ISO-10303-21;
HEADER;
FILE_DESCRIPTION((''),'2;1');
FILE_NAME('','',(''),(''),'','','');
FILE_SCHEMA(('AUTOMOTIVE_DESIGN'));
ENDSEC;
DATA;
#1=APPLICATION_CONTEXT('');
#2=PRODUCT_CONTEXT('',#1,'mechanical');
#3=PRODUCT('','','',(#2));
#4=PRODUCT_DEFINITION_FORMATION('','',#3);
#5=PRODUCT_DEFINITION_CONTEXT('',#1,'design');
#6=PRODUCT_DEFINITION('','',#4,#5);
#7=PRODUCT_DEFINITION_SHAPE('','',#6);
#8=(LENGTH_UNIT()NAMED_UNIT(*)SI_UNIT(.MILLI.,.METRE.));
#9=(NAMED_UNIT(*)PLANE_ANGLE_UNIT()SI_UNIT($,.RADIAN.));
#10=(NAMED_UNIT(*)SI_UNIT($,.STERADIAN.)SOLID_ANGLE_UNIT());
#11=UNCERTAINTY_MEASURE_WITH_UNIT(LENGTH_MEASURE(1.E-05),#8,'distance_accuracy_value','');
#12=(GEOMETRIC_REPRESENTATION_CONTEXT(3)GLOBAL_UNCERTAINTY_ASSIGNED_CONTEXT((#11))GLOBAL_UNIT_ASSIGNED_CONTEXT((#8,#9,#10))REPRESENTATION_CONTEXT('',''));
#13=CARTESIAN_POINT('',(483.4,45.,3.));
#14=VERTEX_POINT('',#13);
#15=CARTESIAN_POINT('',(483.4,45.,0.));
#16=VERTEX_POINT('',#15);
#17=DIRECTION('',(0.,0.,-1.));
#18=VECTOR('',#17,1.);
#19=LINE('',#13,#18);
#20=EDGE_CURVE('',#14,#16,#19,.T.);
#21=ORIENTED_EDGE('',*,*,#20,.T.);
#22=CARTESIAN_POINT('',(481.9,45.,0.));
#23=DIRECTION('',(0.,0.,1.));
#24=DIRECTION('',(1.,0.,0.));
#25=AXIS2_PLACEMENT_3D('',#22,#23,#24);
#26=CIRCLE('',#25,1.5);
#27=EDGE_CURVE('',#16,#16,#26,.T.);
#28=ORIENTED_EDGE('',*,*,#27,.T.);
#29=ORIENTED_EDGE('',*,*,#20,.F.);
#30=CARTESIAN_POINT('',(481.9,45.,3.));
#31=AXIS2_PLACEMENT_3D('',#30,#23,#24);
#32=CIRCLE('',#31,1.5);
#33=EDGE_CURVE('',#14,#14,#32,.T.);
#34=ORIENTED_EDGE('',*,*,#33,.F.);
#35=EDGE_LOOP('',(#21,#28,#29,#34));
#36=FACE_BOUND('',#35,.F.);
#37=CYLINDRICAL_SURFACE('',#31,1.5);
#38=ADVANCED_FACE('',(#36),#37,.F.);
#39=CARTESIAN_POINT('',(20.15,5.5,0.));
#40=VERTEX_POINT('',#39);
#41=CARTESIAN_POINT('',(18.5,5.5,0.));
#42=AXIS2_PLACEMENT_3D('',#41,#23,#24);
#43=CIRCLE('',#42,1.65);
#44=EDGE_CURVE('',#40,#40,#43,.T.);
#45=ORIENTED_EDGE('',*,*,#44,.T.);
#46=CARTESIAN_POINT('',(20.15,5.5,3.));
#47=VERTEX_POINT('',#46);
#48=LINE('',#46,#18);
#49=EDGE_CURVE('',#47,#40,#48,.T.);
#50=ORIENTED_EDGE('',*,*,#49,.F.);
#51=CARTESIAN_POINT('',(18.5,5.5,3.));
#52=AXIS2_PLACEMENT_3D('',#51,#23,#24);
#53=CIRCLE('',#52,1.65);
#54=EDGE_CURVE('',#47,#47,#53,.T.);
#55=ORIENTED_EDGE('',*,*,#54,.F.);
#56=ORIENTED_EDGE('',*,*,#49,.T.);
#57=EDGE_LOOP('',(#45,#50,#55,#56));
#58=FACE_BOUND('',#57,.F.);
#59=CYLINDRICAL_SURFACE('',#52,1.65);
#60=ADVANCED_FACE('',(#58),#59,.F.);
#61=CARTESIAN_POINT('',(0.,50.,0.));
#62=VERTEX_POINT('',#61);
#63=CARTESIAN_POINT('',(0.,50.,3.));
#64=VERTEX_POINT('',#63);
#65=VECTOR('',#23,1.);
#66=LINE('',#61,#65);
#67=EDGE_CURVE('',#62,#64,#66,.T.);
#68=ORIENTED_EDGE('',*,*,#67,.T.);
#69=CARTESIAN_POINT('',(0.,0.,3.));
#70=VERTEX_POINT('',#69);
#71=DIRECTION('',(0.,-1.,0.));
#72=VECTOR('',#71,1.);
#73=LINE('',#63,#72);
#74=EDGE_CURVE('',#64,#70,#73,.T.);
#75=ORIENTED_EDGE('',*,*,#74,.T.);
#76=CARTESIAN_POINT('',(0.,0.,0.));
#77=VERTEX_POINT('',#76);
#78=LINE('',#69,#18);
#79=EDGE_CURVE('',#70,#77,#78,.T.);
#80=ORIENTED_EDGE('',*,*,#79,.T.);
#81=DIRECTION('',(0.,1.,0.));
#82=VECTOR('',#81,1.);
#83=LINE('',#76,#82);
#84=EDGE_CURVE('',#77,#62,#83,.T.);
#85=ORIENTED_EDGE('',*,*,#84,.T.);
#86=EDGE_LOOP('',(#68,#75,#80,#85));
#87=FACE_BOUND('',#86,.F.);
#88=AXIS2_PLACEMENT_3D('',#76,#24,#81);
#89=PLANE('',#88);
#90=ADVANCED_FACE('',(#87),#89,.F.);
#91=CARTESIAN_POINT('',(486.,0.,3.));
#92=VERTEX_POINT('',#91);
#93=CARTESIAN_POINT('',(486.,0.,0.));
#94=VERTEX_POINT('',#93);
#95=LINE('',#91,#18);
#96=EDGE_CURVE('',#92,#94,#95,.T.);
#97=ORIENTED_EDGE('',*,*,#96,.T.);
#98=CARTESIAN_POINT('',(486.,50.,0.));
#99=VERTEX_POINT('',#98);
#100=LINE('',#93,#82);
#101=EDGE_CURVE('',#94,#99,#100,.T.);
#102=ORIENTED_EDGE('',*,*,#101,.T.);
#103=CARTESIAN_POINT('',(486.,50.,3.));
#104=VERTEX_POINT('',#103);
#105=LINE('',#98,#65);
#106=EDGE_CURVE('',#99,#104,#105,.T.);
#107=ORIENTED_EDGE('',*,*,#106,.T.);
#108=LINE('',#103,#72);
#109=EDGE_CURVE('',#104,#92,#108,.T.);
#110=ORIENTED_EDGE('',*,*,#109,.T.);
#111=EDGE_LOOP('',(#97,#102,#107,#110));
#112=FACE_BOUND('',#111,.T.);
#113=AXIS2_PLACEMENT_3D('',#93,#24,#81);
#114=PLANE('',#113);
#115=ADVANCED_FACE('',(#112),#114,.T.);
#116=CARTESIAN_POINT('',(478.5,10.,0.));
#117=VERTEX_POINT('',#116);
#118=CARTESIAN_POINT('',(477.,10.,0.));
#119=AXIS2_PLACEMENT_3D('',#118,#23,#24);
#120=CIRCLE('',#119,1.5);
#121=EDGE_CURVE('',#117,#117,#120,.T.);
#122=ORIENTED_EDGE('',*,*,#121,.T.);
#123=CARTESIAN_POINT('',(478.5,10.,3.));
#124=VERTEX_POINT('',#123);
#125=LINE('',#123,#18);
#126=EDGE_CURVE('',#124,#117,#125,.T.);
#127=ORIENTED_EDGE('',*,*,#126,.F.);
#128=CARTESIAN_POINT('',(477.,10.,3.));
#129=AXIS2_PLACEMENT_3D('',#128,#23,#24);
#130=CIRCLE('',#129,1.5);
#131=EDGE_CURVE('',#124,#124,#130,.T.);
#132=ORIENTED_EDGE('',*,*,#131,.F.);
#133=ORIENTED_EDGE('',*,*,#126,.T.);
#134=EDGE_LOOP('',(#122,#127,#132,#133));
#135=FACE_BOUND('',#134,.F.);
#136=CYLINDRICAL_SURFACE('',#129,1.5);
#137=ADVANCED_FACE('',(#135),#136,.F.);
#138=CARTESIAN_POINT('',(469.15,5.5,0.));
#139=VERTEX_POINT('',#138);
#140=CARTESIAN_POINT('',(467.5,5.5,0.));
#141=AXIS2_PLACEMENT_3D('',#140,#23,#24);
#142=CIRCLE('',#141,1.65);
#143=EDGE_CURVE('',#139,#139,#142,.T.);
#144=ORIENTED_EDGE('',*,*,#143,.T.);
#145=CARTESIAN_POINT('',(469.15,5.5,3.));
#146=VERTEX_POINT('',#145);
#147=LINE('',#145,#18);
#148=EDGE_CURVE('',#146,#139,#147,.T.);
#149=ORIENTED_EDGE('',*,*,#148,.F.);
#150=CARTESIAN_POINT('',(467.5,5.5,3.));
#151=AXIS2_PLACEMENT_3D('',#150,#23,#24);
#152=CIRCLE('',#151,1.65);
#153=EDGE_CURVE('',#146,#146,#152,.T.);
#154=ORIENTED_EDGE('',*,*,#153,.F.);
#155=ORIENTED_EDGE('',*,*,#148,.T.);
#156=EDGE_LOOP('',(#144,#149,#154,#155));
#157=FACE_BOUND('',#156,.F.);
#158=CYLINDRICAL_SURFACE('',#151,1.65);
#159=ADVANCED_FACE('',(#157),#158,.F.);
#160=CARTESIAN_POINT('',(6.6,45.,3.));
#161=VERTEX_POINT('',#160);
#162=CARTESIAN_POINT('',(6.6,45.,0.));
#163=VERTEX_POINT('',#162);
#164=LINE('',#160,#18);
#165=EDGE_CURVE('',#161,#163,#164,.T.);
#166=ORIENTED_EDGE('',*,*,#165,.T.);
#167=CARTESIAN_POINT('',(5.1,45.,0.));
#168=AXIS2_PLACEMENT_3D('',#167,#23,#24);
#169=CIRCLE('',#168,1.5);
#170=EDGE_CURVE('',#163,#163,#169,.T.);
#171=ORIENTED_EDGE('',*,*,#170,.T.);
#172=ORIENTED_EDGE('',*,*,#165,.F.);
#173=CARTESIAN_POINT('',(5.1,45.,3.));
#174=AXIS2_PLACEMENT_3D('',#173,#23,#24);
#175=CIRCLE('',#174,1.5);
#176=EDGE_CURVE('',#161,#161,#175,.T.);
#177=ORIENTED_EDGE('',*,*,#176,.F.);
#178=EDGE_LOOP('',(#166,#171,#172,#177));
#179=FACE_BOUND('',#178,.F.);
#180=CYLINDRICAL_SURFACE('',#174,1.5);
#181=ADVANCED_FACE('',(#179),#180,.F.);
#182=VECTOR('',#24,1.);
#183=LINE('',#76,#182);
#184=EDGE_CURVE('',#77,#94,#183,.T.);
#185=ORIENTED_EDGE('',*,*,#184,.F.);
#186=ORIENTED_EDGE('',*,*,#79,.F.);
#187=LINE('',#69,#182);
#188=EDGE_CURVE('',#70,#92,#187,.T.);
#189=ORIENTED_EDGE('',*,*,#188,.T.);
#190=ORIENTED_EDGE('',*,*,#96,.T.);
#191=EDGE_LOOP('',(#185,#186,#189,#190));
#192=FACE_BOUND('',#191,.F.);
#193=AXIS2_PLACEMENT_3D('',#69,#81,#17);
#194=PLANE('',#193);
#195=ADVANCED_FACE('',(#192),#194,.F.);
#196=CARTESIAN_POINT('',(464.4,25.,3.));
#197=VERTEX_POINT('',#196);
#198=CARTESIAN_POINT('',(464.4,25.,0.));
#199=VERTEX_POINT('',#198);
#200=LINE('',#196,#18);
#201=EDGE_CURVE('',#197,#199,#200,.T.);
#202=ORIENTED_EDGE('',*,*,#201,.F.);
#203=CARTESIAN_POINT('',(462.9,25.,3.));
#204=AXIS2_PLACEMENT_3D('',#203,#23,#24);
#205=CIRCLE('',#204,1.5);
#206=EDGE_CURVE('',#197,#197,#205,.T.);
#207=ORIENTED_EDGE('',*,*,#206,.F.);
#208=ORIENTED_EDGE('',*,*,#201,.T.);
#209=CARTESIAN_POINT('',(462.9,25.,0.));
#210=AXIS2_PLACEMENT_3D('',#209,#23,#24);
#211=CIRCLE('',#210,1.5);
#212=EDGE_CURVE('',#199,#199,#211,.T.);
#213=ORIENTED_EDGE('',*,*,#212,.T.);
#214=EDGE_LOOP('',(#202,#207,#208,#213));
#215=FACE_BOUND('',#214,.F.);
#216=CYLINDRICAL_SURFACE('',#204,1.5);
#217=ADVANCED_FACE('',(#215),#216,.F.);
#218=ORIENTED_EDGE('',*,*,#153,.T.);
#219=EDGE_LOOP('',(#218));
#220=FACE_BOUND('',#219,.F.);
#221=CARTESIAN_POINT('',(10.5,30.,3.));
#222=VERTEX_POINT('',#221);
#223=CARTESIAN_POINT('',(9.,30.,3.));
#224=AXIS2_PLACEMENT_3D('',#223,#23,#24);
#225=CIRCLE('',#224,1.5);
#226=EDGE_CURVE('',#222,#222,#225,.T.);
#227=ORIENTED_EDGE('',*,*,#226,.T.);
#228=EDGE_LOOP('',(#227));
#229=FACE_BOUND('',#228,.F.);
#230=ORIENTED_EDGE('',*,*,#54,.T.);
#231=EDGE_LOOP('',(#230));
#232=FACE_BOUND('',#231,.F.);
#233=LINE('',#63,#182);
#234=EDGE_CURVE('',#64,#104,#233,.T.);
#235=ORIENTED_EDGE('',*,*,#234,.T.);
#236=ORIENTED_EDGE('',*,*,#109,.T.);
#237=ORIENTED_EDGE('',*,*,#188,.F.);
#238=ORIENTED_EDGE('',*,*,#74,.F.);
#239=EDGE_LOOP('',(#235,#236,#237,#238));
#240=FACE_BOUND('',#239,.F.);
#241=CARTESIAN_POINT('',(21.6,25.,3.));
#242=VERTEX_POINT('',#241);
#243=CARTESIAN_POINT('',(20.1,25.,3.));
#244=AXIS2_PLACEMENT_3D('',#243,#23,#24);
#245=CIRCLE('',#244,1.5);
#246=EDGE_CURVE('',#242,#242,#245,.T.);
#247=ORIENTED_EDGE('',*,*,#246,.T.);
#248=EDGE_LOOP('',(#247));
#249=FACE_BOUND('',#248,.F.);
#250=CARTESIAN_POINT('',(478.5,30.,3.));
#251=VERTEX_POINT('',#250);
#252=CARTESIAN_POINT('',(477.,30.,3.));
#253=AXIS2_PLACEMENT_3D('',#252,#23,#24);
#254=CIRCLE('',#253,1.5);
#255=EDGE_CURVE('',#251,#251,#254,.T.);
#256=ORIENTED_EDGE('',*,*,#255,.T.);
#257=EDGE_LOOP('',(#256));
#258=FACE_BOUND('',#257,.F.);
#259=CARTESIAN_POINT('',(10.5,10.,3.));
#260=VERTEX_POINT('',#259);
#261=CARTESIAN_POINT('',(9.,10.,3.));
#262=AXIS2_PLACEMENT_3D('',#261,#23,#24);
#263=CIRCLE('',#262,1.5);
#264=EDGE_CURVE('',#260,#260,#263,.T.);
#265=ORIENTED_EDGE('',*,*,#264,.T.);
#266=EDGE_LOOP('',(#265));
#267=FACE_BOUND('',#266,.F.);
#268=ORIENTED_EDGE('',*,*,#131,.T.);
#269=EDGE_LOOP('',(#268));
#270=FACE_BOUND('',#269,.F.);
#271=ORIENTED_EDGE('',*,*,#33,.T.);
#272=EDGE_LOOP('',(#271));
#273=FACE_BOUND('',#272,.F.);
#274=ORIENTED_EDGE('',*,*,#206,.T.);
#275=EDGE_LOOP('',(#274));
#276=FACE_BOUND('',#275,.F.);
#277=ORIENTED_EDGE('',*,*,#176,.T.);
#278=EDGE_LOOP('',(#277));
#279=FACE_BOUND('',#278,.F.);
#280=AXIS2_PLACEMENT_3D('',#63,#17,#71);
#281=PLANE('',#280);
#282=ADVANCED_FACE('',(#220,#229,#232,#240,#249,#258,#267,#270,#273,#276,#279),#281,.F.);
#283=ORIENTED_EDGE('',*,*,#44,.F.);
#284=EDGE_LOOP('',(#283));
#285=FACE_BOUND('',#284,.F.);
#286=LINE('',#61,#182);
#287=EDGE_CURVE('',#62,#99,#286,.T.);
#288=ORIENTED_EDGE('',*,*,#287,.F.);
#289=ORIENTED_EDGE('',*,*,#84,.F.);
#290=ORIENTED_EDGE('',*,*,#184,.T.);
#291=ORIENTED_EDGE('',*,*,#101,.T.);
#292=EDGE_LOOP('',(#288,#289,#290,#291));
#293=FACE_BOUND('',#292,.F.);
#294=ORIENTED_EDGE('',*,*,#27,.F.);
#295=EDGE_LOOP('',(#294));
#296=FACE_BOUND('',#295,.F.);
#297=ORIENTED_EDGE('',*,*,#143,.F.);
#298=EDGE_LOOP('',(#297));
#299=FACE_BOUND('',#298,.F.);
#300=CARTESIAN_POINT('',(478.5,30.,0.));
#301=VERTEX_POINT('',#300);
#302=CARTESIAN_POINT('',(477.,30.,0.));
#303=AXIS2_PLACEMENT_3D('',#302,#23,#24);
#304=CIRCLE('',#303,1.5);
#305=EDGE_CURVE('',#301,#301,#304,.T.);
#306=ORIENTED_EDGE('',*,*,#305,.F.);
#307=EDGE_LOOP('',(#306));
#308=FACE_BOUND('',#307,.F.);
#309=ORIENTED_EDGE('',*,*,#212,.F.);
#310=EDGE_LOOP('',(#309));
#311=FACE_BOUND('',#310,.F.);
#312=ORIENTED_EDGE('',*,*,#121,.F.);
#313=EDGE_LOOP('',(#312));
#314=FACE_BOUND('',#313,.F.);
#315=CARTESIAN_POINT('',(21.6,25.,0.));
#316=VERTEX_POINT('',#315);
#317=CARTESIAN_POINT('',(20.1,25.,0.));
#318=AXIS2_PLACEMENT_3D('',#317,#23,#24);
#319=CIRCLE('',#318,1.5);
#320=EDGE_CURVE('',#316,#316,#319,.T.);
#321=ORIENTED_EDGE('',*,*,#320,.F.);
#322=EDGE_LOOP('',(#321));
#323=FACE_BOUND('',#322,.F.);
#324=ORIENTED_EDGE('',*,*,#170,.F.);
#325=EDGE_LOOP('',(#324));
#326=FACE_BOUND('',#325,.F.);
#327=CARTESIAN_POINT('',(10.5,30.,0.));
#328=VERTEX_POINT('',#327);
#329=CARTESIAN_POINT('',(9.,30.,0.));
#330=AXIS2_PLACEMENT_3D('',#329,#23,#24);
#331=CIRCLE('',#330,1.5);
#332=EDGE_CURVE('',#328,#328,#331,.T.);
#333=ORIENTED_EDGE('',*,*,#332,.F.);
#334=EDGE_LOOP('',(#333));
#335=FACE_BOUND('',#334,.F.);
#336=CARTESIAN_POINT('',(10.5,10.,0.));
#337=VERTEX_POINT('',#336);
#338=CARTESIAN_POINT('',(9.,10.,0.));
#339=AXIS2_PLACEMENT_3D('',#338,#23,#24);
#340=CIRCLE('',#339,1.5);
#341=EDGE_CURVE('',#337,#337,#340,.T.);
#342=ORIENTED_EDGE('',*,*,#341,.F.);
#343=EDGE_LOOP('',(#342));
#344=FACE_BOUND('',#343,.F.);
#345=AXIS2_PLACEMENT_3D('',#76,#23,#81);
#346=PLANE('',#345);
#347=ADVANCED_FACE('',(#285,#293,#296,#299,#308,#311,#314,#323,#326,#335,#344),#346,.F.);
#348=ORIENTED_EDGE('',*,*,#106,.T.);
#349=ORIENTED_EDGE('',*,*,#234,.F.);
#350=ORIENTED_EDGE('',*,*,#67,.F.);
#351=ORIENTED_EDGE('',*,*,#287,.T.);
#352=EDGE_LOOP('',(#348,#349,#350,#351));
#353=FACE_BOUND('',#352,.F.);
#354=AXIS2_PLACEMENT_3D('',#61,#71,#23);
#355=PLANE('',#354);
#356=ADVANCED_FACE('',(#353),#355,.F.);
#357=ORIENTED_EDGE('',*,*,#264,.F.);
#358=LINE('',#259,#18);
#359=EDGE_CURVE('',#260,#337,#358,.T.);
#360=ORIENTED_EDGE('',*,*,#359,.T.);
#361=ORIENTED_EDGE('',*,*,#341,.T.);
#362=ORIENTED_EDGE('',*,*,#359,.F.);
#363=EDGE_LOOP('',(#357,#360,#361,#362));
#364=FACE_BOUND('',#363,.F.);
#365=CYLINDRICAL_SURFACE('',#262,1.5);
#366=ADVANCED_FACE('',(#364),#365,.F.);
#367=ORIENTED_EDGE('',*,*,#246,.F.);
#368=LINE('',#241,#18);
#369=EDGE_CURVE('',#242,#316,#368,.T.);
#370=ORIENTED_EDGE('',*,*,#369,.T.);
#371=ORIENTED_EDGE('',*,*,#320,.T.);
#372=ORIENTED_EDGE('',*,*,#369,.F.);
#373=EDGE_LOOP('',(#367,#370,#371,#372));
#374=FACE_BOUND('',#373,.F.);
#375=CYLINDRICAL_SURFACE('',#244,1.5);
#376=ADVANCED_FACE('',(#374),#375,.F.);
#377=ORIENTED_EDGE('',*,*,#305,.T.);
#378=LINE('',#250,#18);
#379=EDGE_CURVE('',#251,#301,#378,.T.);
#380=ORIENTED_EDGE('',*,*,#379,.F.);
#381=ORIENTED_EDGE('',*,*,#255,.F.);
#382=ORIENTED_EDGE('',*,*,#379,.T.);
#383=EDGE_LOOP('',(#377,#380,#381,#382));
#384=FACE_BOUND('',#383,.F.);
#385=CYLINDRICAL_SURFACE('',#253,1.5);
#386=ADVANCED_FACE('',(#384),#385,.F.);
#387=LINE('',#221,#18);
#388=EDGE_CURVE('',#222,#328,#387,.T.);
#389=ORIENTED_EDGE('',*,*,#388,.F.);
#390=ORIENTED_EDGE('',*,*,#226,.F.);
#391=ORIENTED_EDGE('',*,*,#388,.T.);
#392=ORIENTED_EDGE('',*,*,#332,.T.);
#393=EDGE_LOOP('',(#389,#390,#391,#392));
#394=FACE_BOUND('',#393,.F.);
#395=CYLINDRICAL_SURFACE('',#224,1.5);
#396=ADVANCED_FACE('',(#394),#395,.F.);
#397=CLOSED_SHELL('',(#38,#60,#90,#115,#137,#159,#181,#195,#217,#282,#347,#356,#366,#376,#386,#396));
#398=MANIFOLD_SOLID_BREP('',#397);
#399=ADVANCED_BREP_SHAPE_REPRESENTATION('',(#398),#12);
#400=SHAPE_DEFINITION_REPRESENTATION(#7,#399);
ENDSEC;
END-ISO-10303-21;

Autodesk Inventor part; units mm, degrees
ref_plane "YZ Plane" through (0, 0, 0) normal (1, 0, 0) x (0, 1, 0)
ref_plane "XZ Plane" through (0, 0, 0) normal (0, 1, 0) x (-1, 0, 0)
ref_plane "XY Plane" through (0, 0, 0) normal (0, 0, 1) x (1, 0, 0)
sketch "Sketch1" plane through (0, 0, 0) normal (1, 0, 0) x (0, 1, 0)
  line L0 (0, 0) -> (50, 0)
  line L1 (50, 0) -> (50, 3)
  line L2 (50, 3) -> (0, 3)
  line L3 (0, 3) -> (0, 0)
  dimension "d0" = 50
  dimension "d1" = 3
extrude "Extrusion1" add sketch "Sketch1" along normal blind 486
sketch "Sketch2" plane through (0, 0, 3) normal (0, 0, 1) x (1, 0, 0)
  circle A0 centre (5.1, 45) radius 1.5
  circle A1 centre (20.1, 25) radius 1.5
  line L0 (0, 0) -> (486, 0) projected
  line L1 (0, 50) -> (486, 50) projected
  line L2 (0, 50) -> (0, 0) projected
  circle A2 centre (481.9, 45) radius 1.5
  line L3 (486, 50) -> (486, 0) projected
  circle A3 centre (462.9, 25) radius 1.5
  circle A4 centre (3, -380) radius 7.5 construction
  line L4 (491.5, -393) -> (472.5, -393) construction
  line L5 (472.5, -393) -> (472.5, 67.7162) construction
  line L6 (472.5, 67.7162) -> (491.5, 67.7162) construction
  line L7 (491.5, 67.7162) -> (491.5, -393) construction
  line L8 (10.5, -380) -> (-4.5, -380) construction
  line L9 (-4.5, -380) -> (-4.5, 66.3205) construction
  line L10 (-4.5, 66.3205) -> (10.5, 66.3205) construction
  line L11 (10.5, 66.3205) -> (10.5, -380) construction
  circle A5 centre (5.1, 45) radius 9.6 construction
  circle A6 centre (20.1, 25) radius 9.6 construction
  circle A7 centre (18.5, 5.5) radius 1.65 projected
  circle A8 centre (9, 30) radius 1.5
  circle A9 centre (9, 10) radius 1.5
  circle A10 centre (477, 10) radius 1.5
  circle A11 centre (477, 30) radius 1.5
  line L12 (469.5, 50) -> (484.5, 50) construction
  line L13 (1.5, 50) -> (16.5, 50) construction
  circle A12 centre (482, -389) radius 9.5 construction
  circle A13 centre (467.5, 5.5) radius 1.65 projected
  point P0 (486, 25)
  point P1 (9, 50)
  point P2 (477, 50)
  dimension "d4" = 3
  dimension "d5" = 3
  dimension "d9" = 3
  dimension "d14" = 20
  dimension "d15" = 5
  dimension "d16" = 3
  dimension "d19" = 5
  dimension "d20" = 20
  dimension "d22" = 9.6
  dimension "d23" = 9.6
  dimension "d24" = 9.6
  dimension "d25" = 9.6
  dimension "d26" = 3
  dimension "d27" = 3
  dimension "d28" = 3
  dimension "d29" = 3
  dimension "d30" = 10
  dimension "d31" = 20
extrude "Extrusion2" cut sketch "Sketch2" against normal blind 10 contours A0 | A1 | A2 | A3 | A7 | A8 | A9 | A10 | A11 | A13
equation "\"d5\" = d4"
equation "\"d9\" = d4"
equation "\"d16\" = d9"
equation "\"d19\" = d15"
equation "\"d20\" = d14"
equation "\"d23\" = d22"
equation "\"d24\" = d22"
equation "\"d25\" = d24"
properties part number "X Rail"
